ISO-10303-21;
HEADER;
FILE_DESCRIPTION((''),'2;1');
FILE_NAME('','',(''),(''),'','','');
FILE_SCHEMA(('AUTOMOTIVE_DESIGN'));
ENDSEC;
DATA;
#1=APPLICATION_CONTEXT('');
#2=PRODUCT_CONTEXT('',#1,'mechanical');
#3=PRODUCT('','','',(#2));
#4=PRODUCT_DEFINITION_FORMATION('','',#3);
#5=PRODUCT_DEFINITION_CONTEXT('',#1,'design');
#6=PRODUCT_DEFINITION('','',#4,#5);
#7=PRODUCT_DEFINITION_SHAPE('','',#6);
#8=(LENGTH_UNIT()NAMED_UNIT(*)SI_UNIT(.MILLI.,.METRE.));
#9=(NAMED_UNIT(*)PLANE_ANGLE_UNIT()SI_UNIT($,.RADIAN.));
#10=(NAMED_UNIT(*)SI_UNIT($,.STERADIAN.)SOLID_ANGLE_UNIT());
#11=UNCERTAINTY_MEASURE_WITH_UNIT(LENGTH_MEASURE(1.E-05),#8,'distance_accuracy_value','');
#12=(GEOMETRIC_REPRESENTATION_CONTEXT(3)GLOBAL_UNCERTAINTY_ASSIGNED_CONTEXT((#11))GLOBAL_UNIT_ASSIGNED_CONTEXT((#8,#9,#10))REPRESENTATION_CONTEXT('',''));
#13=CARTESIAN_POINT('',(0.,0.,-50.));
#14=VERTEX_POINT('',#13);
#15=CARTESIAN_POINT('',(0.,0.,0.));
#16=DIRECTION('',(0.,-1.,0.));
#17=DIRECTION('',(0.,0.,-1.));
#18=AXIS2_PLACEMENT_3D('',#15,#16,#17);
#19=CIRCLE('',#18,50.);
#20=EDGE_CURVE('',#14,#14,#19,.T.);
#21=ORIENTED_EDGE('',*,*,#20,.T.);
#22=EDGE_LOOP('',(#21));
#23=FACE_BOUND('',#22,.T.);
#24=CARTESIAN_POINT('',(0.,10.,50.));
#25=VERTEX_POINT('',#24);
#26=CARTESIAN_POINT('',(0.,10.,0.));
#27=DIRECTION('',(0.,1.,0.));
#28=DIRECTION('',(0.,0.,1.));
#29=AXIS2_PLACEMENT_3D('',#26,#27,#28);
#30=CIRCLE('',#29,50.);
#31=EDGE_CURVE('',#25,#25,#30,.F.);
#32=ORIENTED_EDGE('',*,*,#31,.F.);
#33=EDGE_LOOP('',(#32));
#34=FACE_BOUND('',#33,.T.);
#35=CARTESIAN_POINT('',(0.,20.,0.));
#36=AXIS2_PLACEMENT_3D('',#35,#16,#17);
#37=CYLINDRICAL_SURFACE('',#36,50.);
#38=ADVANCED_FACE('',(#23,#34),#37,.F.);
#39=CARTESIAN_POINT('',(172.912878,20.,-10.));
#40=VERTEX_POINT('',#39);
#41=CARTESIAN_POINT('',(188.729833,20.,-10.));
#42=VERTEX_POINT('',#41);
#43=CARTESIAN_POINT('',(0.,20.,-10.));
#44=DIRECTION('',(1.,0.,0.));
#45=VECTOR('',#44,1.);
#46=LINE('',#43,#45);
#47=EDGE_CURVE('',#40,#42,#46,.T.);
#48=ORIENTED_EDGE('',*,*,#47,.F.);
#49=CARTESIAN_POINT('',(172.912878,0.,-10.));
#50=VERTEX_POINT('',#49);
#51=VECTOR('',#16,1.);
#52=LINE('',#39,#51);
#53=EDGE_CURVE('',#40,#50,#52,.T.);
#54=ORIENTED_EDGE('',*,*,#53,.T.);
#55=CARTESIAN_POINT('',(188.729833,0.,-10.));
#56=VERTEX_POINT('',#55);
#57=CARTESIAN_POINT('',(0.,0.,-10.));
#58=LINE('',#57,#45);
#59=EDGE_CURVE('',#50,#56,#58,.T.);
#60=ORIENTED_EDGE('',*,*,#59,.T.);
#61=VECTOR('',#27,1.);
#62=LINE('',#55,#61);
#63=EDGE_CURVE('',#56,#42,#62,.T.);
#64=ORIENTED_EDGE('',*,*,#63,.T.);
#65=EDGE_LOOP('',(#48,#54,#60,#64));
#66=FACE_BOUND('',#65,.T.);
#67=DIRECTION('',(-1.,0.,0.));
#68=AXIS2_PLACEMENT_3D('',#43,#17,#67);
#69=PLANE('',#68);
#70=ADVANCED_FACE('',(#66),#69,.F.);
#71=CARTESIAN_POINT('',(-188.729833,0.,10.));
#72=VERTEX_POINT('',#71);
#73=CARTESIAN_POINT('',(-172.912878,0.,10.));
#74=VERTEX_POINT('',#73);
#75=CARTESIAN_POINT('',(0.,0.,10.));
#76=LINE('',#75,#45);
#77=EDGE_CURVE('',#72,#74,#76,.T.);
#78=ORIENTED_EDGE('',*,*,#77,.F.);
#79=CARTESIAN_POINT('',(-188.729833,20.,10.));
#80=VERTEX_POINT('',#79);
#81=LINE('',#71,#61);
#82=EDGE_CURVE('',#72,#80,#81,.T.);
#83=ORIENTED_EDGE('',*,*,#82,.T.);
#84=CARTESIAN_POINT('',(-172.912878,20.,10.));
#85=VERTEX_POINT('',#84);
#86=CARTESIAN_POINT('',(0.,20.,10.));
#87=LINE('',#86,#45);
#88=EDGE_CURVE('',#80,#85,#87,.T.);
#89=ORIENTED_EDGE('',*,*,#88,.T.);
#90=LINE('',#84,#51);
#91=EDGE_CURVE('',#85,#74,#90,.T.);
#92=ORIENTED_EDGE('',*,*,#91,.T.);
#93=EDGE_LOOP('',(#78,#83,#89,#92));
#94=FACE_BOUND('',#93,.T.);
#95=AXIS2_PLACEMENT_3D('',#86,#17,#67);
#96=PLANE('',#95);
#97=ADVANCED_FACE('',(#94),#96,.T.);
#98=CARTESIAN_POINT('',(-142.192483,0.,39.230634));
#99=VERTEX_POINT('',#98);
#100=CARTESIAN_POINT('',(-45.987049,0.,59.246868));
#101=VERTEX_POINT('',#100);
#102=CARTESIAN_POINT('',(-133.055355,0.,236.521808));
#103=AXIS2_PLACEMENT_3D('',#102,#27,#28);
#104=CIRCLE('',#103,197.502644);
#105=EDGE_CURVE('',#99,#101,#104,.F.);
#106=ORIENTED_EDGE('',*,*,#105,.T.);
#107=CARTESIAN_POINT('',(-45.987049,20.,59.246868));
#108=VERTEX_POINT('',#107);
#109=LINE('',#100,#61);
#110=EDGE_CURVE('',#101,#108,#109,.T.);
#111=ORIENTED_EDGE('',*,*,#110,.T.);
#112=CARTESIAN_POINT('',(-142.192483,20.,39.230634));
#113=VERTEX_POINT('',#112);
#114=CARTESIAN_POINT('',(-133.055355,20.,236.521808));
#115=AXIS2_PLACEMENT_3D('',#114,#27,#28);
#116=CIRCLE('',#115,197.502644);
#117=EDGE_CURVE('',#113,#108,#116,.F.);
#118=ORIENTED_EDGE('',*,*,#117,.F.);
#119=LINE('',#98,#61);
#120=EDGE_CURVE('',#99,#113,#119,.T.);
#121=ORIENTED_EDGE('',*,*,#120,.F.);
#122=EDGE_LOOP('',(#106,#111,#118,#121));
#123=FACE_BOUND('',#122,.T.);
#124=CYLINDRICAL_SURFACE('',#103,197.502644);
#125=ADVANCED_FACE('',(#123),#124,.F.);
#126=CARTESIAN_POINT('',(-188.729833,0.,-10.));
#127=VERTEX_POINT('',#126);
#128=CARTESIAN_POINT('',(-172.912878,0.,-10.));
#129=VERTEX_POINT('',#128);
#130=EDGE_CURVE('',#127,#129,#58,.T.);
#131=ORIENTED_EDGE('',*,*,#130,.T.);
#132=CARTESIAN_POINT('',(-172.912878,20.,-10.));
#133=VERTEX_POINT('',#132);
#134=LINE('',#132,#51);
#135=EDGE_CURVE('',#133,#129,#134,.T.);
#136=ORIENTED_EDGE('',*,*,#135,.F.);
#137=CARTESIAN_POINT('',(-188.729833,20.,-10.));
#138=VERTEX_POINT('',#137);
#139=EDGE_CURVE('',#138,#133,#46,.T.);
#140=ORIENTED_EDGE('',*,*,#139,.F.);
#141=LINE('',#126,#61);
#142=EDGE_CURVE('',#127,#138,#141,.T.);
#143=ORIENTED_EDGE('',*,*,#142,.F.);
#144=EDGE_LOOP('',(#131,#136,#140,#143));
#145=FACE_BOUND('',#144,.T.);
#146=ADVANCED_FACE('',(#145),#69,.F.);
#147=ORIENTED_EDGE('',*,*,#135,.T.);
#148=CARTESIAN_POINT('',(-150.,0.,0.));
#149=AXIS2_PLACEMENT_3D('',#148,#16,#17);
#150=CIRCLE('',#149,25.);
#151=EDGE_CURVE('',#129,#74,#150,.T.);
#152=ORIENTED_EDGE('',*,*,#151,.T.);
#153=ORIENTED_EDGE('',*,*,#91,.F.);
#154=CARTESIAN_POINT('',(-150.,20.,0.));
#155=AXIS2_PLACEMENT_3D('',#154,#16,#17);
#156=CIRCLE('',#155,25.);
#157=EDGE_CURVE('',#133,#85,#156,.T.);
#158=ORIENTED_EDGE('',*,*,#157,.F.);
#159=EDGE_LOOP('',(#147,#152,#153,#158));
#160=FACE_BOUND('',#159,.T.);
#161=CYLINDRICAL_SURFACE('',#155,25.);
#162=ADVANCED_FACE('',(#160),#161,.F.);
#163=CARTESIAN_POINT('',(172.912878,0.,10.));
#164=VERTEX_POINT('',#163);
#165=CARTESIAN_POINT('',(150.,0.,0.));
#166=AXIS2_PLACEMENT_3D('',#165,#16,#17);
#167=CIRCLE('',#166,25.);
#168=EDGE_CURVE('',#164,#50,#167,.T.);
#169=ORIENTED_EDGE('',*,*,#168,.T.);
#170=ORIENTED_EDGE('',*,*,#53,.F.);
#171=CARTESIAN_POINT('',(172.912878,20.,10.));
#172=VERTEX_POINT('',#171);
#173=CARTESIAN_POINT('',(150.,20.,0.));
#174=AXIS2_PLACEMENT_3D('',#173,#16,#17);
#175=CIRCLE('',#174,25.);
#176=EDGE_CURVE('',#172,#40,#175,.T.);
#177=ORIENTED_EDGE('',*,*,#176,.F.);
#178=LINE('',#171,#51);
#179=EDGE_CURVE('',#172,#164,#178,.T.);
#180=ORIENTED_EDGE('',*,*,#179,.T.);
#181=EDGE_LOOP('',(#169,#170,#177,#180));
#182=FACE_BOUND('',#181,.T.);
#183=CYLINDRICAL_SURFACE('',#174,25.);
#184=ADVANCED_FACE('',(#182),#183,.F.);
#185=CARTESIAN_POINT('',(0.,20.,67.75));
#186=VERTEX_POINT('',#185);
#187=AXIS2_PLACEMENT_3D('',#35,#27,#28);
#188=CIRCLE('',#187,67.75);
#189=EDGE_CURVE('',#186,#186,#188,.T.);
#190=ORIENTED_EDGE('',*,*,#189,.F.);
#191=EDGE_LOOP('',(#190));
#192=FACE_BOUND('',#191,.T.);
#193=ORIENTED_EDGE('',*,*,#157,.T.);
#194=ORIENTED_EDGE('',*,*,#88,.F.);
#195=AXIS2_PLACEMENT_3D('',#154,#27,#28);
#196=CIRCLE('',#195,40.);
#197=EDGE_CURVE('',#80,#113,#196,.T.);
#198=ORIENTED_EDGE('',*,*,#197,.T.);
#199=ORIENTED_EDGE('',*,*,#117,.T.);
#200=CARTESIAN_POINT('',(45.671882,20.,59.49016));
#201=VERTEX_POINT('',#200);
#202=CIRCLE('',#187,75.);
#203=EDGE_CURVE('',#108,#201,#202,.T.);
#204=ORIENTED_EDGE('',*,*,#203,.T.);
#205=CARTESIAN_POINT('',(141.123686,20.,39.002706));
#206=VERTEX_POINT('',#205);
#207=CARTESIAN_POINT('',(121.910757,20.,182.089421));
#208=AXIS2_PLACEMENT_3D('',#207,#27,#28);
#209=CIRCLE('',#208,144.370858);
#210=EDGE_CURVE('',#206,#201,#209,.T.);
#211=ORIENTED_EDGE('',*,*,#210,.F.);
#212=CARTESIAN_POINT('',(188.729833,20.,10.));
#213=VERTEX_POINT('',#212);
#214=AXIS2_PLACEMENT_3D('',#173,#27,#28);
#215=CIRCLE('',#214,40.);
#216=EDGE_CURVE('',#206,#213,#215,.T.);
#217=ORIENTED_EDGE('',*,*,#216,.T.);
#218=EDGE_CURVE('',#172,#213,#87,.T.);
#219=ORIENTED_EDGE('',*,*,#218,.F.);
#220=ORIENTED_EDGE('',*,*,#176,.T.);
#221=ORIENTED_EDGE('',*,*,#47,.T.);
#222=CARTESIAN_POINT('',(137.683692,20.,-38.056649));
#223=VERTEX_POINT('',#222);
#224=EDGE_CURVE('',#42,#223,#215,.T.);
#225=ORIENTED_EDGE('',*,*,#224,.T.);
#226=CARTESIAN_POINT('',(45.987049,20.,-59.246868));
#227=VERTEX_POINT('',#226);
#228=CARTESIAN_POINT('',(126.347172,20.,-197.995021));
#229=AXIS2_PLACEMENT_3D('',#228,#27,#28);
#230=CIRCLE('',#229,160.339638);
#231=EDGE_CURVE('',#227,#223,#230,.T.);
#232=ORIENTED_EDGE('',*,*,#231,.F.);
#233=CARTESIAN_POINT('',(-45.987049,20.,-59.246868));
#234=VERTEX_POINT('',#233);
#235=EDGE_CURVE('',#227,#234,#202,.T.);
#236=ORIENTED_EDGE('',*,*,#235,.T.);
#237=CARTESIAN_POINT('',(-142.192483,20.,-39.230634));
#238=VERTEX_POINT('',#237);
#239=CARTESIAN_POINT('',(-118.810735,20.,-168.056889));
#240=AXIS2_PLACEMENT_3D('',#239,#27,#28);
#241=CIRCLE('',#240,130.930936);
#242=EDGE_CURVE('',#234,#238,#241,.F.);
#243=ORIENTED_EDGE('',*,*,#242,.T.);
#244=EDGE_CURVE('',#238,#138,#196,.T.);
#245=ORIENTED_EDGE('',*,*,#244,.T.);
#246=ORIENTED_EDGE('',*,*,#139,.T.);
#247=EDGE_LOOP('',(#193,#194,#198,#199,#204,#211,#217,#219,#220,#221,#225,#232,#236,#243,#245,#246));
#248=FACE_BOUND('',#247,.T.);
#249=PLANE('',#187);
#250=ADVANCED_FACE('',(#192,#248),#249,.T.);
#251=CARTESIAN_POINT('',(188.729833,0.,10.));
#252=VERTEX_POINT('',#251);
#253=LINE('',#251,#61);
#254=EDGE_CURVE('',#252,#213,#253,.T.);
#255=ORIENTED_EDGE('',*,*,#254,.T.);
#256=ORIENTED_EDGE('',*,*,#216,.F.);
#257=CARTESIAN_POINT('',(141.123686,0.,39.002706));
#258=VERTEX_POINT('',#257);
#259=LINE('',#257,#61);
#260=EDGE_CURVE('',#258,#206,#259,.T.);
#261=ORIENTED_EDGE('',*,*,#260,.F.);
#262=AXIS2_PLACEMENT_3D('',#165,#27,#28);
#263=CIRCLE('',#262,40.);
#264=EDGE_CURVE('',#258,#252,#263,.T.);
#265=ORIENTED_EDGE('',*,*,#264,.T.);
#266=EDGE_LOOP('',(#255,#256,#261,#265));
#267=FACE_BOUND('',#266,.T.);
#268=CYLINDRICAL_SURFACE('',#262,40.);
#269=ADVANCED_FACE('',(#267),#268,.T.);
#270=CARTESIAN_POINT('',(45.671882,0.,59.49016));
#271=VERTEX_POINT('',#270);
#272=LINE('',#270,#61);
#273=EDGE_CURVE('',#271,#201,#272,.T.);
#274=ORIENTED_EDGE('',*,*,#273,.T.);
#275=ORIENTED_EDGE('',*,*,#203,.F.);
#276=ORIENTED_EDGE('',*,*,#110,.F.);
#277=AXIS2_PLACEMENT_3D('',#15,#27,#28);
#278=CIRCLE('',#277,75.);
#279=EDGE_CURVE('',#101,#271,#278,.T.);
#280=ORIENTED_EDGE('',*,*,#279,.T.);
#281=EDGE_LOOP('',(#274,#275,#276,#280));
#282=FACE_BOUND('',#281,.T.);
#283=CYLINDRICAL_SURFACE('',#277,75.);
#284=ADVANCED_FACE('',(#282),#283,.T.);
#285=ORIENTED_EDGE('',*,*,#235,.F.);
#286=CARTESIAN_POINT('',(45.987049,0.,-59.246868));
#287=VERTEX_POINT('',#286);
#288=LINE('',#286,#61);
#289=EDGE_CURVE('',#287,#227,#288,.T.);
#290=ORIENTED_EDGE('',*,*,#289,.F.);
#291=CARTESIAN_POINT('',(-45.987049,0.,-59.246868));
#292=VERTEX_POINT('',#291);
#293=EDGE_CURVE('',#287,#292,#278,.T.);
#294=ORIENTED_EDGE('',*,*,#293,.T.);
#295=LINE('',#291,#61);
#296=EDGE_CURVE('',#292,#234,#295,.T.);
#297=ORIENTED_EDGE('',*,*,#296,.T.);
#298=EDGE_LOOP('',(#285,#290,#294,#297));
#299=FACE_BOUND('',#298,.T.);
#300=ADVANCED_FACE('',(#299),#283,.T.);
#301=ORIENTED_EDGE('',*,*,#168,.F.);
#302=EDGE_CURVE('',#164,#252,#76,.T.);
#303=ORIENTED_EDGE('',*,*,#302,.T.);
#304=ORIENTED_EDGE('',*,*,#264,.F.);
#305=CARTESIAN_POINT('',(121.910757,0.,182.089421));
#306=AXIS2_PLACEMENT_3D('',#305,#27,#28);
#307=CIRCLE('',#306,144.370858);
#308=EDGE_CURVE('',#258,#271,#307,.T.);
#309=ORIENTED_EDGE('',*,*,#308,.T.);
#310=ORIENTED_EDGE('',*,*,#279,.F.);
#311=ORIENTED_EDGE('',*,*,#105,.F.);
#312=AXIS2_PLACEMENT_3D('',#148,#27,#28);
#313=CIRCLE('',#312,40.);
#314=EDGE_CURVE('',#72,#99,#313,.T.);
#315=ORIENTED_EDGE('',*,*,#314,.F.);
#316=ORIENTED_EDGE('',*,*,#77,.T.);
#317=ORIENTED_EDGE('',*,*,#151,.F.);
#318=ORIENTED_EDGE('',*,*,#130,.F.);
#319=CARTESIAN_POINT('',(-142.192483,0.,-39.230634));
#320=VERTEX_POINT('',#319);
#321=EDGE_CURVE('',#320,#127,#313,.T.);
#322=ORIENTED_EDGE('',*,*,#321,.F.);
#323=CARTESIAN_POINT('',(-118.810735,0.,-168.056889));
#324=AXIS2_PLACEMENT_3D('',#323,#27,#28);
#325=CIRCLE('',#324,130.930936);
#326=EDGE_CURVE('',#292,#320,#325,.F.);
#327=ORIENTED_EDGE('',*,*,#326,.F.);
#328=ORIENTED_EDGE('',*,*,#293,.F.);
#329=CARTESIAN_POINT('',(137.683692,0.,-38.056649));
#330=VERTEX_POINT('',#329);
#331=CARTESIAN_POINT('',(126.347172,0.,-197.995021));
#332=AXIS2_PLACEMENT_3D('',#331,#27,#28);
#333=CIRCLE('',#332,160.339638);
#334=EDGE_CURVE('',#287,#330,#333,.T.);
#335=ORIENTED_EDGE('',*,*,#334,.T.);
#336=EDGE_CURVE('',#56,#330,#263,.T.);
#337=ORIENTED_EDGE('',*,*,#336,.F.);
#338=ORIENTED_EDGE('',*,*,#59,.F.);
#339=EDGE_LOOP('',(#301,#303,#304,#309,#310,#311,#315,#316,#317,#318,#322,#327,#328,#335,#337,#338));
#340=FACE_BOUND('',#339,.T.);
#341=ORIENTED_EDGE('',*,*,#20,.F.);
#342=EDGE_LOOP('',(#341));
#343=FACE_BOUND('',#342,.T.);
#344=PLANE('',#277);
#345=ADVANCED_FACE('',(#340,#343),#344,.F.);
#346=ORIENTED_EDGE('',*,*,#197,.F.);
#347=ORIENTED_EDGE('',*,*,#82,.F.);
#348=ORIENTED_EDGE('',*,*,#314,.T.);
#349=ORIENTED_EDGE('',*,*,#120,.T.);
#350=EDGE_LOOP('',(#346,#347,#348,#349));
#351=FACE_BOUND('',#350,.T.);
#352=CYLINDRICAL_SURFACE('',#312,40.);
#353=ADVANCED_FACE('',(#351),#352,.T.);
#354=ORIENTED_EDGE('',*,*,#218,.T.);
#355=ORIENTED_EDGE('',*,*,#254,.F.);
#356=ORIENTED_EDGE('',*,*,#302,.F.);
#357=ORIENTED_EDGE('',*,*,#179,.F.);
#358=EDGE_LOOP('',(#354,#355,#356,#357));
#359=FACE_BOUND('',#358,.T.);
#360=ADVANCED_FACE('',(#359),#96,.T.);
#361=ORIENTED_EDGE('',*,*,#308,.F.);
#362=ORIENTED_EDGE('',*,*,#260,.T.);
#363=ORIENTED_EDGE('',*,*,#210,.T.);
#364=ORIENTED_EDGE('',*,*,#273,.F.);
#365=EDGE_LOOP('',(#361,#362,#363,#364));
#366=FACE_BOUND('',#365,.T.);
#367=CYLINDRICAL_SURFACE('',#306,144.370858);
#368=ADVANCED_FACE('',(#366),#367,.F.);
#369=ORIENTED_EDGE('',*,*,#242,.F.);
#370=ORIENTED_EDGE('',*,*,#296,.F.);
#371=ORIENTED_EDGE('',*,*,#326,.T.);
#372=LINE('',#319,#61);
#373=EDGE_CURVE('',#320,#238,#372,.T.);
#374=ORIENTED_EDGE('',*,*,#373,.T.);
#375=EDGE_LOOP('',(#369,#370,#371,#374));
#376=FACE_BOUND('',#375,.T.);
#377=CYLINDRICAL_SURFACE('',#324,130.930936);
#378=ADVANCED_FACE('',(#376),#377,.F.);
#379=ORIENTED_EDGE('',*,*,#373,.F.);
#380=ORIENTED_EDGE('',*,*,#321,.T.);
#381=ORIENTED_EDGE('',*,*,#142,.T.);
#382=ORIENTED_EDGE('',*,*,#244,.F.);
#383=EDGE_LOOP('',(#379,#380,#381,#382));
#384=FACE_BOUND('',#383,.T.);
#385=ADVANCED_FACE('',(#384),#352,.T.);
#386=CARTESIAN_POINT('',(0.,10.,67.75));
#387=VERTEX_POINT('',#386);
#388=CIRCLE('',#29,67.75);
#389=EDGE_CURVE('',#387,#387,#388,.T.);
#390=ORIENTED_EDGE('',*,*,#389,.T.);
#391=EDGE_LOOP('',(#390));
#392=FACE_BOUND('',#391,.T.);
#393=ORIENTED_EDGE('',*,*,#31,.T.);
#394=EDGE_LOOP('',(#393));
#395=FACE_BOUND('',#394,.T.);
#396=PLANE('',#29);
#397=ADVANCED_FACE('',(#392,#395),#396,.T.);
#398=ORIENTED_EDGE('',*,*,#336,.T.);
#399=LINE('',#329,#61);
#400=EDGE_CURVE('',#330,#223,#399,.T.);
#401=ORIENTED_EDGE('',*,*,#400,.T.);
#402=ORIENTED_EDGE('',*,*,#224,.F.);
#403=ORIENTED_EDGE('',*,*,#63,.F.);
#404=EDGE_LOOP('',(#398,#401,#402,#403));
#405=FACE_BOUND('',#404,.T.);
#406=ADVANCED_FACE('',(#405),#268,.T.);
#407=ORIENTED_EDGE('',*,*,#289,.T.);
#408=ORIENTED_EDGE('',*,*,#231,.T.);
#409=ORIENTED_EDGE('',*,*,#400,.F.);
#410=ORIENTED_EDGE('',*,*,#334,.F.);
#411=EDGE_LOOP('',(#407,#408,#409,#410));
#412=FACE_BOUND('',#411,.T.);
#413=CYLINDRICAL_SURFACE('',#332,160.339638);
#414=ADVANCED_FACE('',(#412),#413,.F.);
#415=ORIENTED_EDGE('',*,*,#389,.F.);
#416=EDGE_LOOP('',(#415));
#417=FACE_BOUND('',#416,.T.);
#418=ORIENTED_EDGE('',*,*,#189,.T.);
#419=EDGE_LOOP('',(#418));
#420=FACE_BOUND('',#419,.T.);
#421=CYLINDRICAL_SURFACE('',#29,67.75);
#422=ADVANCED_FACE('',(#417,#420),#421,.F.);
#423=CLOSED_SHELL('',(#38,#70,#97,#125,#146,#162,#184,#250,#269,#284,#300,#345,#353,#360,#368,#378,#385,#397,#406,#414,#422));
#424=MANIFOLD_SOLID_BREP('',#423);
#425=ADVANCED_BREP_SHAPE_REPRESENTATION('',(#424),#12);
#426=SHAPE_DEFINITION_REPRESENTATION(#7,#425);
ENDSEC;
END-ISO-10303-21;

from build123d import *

# Parameters (mm, degrees)
ESQUISSE1_W             = 380
ESQUISSE1_H             = 150
BOSS_EXTRU_1_DEPTH      = 20
ESQUISSE2_R             = 50
ESQUISSE2_W             = 36.086047363
ESQUISSE2_H             = 20
ENL_V_MAT_EXTRU_2_DEPTH = 21
ESQUISSE4_R             = 67.75
ENL_V_MAT_EXTRU_3_DEPTH = 10
ENL_V_MAT_EXTRU_4_DEPTH = 21


with BuildPart() as part:
    # Esquisse1 → Boss.-Extru.1 (new body)
    with BuildSketch(Plane(origin=(0, 0, 0), x_dir=(1, 0, 0), z_dir=(0, 1, 0))):
        Rectangle(ESQUISSE1_W, ESQUISSE1_H)
    extrude(amount=BOSS_EXTRU_1_DEPTH)

    # Esquisse2 → Enlèv. mat.-Extru.2 (cut, through all)
    with BuildSketch(Plane(origin=(0, 0, 0), x_dir=(-1, 0, 0), z_dir=(0, -1, 0))):
        with BuildLine():
            Line((172.912878475, -10), (190, -10))
            Line((190, -10), (190, 10))
            Line((190, 10), (172.912878475, 10))
            ThreePointArc((172.912878475, 10), (174.472657823, 5.107741092), (175, 0))
            ThreePointArc((175, 0), (174.472657823, -5.107741092), (172.912878475, -10))
        make_face()
        with BuildLine():
            ThreePointArc((172.912878475, 10), (125, 0), (172.912878475, -10))
            Line((172.912878475, -10), (159.255580532, -10))
            Line((159.255580532, -10), (159.255580532, 10))
            Line((159.255580532, 10), (172.912878475, 10))
        make_face()
        with BuildLine():
            Line((159.255580532, -10), (172.912878475, -10))
            ThreePointArc((172.912878475, -10), (174.472657823, -5.107741092), (175, 0))
            ThreePointArc((175, 0), (174.472657823, 5.107741092), (172.912878475, 10))
            Line((172.912878475, 10), (159.255580532, 10))
            Line((159.255580532, 10), (159.255580532, -10))
        make_face()
        Circle(ESQUISSE2_R)
        with BuildLine():
            Line((-154.989806054, 10), (-154.989806054, -10))
            Line((-154.989806054, -10), (-172.912878475, -10))
            ThreePointArc((-172.912878475, -10), (-144.892258908, -24.472657823), (-125, 0))
            ThreePointArc((-125, 0), (-144.892258908, 24.472657823), (-172.912878475, 10))
            Line((-172.912878475, 10), (-154.989806054, 10))
        make_face()
        with BuildLine():
            Line((-172.912878475, -10), (-154.989806054, -10))
            Line((-154.989806054, -10), (-154.989806054, 10))
            Line((-154.989806054, 10), (-172.912878475, 10))
            ThreePointArc((-172.912878475, 10), (-175, 0), (-172.912878475, -10))
        make_face()
        with Locations((-208.043023682, 0)):
            Rectangle(ESQUISSE2_W, ESQUISSE2_H)
        with BuildLine():
            Line((-190, -10), (-172.912878475, -10))
            ThreePointArc((-172.912878475, -10), (-175, 0), (-172.912878475, 10))
            Line((-172.912878475, 10), (-190, 10))
            Line((-190, 10), (-190, -10))
        make_face()
    extrude(amount=-ENL_V_MAT_EXTRU_2_DEPTH, mode=Mode.SUBTRACT)

    # Esquisse4 → Enlèv. mat.-Extru.3 (cut)
    with BuildSketch(Plane(origin=(0, 20, 0), x_dir=(1, 0, 0), z_dir=(0, 1, 0))):
        Circle(ESQUISSE4_R)
    extrude(amount=-ENL_V_MAT_EXTRU_3_DEPTH, mode=Mode.SUBTRACT)

    # Esquisse5 → Enlèv. mat.-Extru.4 (cut, through all)
    with BuildSketch(Plane(origin=(0, 20, 0), x_dir=(1, 0, 0), z_dir=(0, 1, 0))):
        with BuildLine():
            ThreePointArc((-45.987048839, -59.246867758), (-92.825023805, -43.159932782), (-142.192482618, -39.230634361))
            ThreePointArc((-142.192482618, -39.230634361), (-171.275688102, -33.87248287), (-188.729833462, -10))
            Line((-188.729833462, -10), (-190, -10))
            Line((-190, -10), (-190, -75))
            Line((-190, -75), (-6.82e-07, -75))
            ThreePointArc((-6.82e-07, -75), (-24.305194399, -70.952501896), (-45.987048839, -59.246867758))
        make_face()
        with BuildLine():
            ThreePointArc((-188.729833462, 10), (-171.275688102, 33.87248287), (-142.192482618, 39.230634361))
            ThreePointArc((-142.192482618, 39.230634361), (-92.140738349, 39.871003351), (-45.987048839, 59.246867758))
            ThreePointArc((-45.987048839, 59.246867758), (-24.305194053, 70.952502014), (4.9e-08, 75))
            Line((4.9e-08, 75), (-190, 75))
            Line((-190, 75), (-190, 10))
            Line((-190, 10), (-188.729833462, 10))
        make_face()
        with BuildLine():
            Line((190, 75), (4.9e-08, 75))
            ThreePointArc((4.9e-08, 75), (24.3051941, 70.952501998), (45.987048839, 59.246867758))
            ThreePointArc((45.987048839, 59.246867758), (90.245637387, 41.772491768), (137.68369163, 38.056649198))
            ThreePointArc((137.68369163, 38.056649198), (169.266874889, 35.054065841), (188.729833462, 10))
            Line((188.729833462, 10), (190, 10))
            Line((190, 10), (190, 75))
        make_face()
        with BuildLine():
            ThreePointArc((45.671882044, -59.490160452), (24.116777718, -71.016765855), (-6.82e-07, -75))
            Line((-6.82e-07, -75), (190, -75))
            Line((190, -75), (190, -10))
            Line((190, -10), (188.729833462, -10))
            ThreePointArc((188.729833462, -10), (170.810992049, -34.159956234), (141.123685996, -39.002705671))
            ThreePointArc((141.123685996, -39.002705671), (91.61350334, -40.933403872), (45.671882044, -59.490160452))
        make_face()
    extrude(amount=-ENL_V_MAT_EXTRU_4_DEPTH, mode=Mode.SUBTRACT)


solid = part.part
